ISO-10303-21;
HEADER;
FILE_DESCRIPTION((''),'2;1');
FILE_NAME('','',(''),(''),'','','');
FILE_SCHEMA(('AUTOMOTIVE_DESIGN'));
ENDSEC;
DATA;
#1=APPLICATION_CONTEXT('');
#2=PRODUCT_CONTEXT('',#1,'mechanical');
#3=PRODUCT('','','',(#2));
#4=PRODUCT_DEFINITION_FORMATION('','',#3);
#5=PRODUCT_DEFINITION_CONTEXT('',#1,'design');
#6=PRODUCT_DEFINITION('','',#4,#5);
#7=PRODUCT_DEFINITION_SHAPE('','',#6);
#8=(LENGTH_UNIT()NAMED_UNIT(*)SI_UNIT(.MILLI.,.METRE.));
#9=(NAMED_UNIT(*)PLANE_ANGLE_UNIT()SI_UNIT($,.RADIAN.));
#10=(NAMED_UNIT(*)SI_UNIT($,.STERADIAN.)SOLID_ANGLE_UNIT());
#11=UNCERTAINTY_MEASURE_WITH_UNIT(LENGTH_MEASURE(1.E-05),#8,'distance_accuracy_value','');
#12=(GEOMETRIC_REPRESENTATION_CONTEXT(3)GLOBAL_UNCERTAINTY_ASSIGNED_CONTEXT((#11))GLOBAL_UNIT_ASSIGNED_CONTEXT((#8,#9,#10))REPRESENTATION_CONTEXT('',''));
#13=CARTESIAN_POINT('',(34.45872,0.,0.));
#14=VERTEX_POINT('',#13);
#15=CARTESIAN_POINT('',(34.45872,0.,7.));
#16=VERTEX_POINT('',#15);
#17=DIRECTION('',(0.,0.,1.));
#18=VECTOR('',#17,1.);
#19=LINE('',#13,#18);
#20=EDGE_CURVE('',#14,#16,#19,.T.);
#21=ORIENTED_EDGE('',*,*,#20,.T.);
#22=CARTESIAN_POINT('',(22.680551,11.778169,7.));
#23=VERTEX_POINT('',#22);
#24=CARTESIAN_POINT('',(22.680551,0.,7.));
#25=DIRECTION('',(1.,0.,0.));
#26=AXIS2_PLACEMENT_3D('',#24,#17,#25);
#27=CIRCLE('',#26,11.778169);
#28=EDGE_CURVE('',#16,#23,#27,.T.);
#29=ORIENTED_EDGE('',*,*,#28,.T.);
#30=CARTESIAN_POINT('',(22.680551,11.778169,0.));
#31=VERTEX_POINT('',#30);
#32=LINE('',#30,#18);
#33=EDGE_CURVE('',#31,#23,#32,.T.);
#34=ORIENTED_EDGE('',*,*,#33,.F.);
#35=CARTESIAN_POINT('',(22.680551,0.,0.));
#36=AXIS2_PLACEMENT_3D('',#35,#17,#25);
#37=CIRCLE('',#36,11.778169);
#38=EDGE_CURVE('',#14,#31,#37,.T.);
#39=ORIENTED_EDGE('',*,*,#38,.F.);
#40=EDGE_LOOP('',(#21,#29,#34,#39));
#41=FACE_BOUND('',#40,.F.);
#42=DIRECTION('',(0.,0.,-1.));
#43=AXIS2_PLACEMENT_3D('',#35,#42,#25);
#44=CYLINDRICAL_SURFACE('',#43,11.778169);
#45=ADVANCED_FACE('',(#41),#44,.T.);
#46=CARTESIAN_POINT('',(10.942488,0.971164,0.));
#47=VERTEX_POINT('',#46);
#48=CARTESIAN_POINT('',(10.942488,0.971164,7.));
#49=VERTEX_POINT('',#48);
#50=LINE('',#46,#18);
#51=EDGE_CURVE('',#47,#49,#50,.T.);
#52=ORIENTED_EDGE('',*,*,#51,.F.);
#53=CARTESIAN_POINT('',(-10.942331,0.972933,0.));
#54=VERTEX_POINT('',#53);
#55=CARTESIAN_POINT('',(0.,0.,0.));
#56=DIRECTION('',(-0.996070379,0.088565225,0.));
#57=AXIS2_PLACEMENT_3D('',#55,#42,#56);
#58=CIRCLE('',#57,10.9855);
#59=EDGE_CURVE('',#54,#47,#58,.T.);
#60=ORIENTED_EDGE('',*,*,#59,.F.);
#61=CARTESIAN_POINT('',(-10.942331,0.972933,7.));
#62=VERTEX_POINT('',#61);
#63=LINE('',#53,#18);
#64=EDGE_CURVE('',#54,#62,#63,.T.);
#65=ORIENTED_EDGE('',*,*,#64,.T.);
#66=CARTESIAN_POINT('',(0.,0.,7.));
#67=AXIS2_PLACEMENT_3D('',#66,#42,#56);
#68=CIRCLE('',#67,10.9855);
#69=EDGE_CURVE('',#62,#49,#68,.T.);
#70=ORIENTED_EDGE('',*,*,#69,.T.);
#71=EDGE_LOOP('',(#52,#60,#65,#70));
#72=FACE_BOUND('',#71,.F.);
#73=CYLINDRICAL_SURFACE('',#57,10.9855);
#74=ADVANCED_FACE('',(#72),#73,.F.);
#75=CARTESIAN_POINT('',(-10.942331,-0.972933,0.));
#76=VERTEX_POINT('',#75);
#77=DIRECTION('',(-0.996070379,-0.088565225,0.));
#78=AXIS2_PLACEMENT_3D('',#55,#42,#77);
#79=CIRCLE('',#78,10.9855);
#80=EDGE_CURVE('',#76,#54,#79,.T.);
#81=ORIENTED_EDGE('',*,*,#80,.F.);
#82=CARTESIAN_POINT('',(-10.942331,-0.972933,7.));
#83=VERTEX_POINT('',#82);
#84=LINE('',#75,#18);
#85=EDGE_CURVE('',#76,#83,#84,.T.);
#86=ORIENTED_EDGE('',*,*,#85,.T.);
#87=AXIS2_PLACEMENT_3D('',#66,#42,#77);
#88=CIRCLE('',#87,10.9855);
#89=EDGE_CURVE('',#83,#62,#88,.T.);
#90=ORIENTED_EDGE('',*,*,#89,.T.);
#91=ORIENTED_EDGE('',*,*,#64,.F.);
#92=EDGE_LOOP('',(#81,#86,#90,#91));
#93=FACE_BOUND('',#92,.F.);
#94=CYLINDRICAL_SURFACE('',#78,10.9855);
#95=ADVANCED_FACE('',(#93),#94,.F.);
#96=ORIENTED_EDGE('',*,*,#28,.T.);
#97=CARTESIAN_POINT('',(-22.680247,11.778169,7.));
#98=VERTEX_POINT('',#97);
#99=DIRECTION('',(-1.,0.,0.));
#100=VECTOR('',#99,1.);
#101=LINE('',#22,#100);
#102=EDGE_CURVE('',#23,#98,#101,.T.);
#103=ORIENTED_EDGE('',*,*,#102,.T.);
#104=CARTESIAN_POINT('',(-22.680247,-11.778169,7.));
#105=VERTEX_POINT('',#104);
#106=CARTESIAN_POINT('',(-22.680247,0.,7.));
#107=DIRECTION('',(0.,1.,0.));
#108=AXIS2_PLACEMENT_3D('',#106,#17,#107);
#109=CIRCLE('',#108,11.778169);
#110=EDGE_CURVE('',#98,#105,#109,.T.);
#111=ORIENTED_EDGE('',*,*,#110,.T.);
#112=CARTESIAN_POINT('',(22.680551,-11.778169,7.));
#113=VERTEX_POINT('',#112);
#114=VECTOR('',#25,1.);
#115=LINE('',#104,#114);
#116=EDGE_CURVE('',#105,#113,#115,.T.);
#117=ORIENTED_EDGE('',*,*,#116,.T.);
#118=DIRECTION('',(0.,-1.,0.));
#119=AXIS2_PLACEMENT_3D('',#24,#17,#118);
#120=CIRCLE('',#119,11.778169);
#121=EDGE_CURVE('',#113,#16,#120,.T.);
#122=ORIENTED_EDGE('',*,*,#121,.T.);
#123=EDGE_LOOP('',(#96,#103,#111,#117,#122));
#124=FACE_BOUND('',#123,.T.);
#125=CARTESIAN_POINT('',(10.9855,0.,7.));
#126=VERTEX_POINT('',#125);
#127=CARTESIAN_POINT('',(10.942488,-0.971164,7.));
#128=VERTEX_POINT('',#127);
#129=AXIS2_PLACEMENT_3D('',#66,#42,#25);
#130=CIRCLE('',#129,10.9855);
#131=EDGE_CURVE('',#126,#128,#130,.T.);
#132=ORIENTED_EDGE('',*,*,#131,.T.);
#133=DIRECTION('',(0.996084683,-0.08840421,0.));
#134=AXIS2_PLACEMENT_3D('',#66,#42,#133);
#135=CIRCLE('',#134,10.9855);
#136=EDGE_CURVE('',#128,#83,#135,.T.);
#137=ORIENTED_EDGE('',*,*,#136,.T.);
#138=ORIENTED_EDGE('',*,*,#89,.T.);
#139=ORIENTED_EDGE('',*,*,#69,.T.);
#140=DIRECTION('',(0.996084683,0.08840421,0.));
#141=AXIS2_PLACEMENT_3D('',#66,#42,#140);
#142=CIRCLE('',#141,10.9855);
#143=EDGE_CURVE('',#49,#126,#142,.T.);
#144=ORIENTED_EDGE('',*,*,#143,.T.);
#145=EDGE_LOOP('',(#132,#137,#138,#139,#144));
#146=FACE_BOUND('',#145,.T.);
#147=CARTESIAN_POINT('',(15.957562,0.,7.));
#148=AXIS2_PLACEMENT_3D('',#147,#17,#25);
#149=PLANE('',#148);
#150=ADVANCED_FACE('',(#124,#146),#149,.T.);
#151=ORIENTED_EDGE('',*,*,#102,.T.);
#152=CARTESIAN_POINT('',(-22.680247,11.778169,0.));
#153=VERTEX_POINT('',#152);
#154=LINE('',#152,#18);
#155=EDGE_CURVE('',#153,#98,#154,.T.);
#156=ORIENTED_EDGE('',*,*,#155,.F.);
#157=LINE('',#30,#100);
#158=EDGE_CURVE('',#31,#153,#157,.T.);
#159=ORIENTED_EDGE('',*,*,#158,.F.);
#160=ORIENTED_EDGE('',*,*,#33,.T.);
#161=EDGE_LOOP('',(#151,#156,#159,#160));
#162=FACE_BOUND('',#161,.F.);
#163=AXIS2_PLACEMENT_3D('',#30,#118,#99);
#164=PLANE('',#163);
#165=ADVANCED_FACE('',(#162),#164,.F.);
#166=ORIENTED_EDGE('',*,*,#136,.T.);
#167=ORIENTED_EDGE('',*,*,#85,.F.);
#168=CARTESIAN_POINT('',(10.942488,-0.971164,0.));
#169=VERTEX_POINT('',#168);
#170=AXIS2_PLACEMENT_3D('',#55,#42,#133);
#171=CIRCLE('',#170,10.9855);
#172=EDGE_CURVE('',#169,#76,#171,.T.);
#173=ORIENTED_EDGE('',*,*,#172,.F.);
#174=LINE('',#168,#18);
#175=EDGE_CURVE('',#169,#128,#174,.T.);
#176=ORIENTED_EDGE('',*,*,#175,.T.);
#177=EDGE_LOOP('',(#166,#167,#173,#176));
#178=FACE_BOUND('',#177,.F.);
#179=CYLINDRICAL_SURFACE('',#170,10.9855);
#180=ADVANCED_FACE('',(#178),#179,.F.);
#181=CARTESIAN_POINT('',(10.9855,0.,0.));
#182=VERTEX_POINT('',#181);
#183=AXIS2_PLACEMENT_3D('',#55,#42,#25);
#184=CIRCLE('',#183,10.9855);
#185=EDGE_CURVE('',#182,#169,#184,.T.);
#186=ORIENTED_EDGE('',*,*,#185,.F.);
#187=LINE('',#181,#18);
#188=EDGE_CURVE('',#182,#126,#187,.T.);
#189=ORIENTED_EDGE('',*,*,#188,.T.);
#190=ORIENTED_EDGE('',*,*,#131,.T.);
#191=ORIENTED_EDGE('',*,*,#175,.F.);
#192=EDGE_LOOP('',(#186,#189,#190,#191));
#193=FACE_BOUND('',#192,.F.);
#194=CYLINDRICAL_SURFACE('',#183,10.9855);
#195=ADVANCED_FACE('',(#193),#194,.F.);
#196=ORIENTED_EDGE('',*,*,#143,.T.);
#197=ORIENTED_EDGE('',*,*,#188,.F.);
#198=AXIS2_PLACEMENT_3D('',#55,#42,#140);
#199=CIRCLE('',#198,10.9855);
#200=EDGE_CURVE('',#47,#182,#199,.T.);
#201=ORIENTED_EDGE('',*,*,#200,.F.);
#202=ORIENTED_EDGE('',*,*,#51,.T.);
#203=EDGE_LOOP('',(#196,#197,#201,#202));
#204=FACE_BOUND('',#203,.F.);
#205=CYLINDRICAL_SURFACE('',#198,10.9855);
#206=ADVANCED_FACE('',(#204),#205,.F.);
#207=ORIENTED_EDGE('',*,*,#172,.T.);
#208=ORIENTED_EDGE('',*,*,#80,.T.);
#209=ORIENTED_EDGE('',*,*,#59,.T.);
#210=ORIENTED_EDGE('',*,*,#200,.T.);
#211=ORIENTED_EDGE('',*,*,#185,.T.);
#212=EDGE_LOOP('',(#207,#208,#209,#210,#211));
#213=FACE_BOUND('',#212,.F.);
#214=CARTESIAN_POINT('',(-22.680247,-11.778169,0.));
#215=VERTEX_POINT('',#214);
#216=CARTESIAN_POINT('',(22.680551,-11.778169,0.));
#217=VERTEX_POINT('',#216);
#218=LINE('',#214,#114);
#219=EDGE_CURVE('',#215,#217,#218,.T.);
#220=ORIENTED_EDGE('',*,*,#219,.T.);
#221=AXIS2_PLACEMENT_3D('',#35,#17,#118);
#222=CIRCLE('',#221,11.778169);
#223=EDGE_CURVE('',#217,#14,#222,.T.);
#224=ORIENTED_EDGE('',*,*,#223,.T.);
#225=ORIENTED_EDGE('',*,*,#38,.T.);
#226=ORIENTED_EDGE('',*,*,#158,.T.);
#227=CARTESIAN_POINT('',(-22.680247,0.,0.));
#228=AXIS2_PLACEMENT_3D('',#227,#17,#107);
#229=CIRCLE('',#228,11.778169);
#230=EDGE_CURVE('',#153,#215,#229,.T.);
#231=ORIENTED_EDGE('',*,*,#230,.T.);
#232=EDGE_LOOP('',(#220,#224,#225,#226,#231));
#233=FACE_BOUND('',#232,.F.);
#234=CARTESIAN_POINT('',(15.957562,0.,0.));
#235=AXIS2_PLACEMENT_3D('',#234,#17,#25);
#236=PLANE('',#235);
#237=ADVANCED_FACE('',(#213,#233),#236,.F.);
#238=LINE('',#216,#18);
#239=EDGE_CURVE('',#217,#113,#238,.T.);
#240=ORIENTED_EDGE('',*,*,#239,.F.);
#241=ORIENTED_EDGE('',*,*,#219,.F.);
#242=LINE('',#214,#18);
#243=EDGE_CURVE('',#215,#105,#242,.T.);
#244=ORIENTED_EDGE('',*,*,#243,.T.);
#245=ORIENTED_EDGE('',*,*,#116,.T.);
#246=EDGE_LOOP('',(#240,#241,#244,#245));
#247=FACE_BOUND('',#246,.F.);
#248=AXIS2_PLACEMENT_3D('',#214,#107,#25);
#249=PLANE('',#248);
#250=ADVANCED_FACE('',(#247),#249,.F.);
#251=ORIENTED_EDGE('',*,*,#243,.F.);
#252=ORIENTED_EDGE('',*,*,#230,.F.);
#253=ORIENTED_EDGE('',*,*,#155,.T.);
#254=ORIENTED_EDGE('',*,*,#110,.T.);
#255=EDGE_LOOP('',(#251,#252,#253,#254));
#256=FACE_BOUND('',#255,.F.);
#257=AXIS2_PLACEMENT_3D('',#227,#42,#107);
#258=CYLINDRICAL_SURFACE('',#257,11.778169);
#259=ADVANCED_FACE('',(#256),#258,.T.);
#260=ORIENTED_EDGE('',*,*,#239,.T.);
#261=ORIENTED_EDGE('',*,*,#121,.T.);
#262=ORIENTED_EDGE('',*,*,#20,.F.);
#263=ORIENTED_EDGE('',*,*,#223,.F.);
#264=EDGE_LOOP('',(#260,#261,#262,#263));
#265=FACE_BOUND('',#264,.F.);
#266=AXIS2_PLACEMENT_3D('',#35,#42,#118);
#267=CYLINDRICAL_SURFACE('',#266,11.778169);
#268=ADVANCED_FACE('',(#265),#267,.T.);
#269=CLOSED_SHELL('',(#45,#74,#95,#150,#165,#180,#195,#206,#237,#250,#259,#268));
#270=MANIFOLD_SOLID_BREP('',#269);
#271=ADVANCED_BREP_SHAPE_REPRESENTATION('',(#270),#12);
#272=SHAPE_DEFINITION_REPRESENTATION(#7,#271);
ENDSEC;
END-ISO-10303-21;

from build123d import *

# Parameters (mm, degrees)
F1_DEPTH = 7


with BuildPart() as f1:
    # F0 (on Top) → F1 (new body)
    with BuildSketch(Plane.XY):
        with BuildLine():
            ThreePointArc((10.9424882845, 0.9711644524), (10.9747418033, 0.4860582273), (10.9855, 0))
            ThreePointArc((10.9855, 0), (10.9747418033, -0.4860582273), (10.9424882845, -0.9711644524))
            ThreePointArc((10.9424882845, -0.9711644524), (14.7028715464, -8.6649815834), (22.6805508137, -11.7781693116))
            Line((22.6805508137, -11.7781693116), (22.6805508137, -10.9855))
            ThreePointArc((22.6805508137, -10.9855), (11.6950508137, 0), (22.6805508137, 10.9855))
            Line((22.6805508137, 10.9855), (22.6805508137, 11.7781693116))
            ThreePointArc((22.6805508137, 11.7781693116), (14.7028715464, 8.6649815834), (10.9424882845, 0.9711644524))
        make_face()
        with BuildLine():
            ThreePointArc((-10.9423311539, 0.9729332804), (0.0008878968, 10.9854999641), (10.9424882845, 0.9711644524))
            ThreePointArc((10.9424882845, 0.9711644524), (14.7028715464, 8.6649815834), (22.6805508137, 11.7781693116))
            Line((22.6805508137, 11.7781693116), (-22.6802472025, 11.7781693116))
            ThreePointArc((-22.6802472025, 11.7781693116), (-14.7032208322, 8.6655826474), (-10.9423311539, 0.9729332804))
        make_face()
        with BuildLine():
            ThreePointArc((22.6805508137, -11.7781693116), (14.7028715464, -8.6649815834), (10.9424882845, -0.9711644524))
            ThreePointArc((10.9424882845, -0.9711644524), (0.0008878968, -10.9854999641), (-10.9423311539, -0.9729332804))
            ThreePointArc((-10.9423311539, -0.9729332804), (-14.7032208322, -8.6655826474), (-22.6802472025, -11.7781693116))
            Line((-22.6802472025, -11.7781693116), (22.6805508137, -11.7781693116))
        make_face()
        with BuildLine():
            ThreePointArc((-10.9423311539, -0.9729332804), (-10.9855, 0), (-10.9423311539, 0.9729332804))
            ThreePointArc((-10.9423311539, 0.9729332804), (-14.7032208322, 8.6655826474), (-22.6802472025, 11.7781693116))
            Line((-22.6802472025, 11.7781693116), (-22.6802472025, 10.9855))
            ThreePointArc((-22.6802472025, 10.9855), (-14.9123256578, 7.7679215447), (-11.6947472025, 0))
            ThreePointArc((-11.6947472025, 0), (-14.9123256578, -7.7679215447), (-22.6802472025, -10.9855))
            Line((-22.6802472025, -10.9855), (-22.6802472025, -11.7781693116))
            ThreePointArc((-22.6802472025, -11.7781693116), (-14.7032208322, -8.6655826474), (-10.9423311539, -0.9729332804))
        make_face()
        with BuildLine():
            ThreePointArc((34.4587201253, 0), (31.0089742039, 8.3284233902), (22.6805508137, 11.7781693116))
            Line((22.6805508137, 11.7781693116), (22.6805508137, 10.9855))
            ThreePointArc((22.6805508137, 10.9855), (30.4484723584, 7.7679215447), (33.6660508137, 0))
            ThreePointArc((33.6660508137, 0), (30.4484723584, -7.7679215447), (22.6805508137, -10.9855))
            Line((22.6805508137, -10.9855), (22.6805508137, -11.7781693116))
            ThreePointArc((22.6805508137, -11.7781693116), (31.0089742039, -8.3284233902), (34.4587201253, 0))
        make_face()
        with BuildLine():
            Line((-22.6802472025, 10.9855), (-22.6802472025, 11.7781693116))
            ThreePointArc((-22.6802472025, 11.7781693116), (-34.4584165141, 0), (-22.6802472025, -11.7781693116))
            Line((-22.6802472025, -11.7781693116), (-22.6802472025, -10.9855))
            ThreePointArc((-22.6802472025, -10.9855), (-33.6657472025, 0), (-22.6802472025, 10.9855))
        make_face()
        with BuildLine():
            Line((-22.6802472025, -10.9855), (-22.6802472025, 10.9855))
            ThreePointArc((-22.6802472025, 10.9855), (-33.6657472025, 0), (-22.6802472025, -10.9855))
        make_face()
        with BuildLine():
            ThreePointArc((-11.6947472025, 0), (-14.9123256578, 7.7679215447), (-22.6802472025, 10.9855))
            Line((-22.6802472025, 10.9855), (-22.6802472025, -10.9855))
            ThreePointArc((-22.6802472025, -10.9855), (-14.9123256578, -7.7679215447), (-11.6947472025, 0))
        make_face()
        with BuildLine():
            Line((22.6805508137, -10.9855), (22.6805508137, 10.9855))
            ThreePointArc((22.6805508137, 10.9855), (11.6950508137, 0), (22.6805508137, -10.9855))
        make_face()
        with BuildLine():
            ThreePointArc((33.6660508137, 0), (30.4484723584, 7.7679215447), (22.6805508137, 10.9855))
            Line((22.6805508137, 10.9855), (22.6805508137, -10.9855))
            ThreePointArc((22.6805508137, -10.9855), (30.4484723584, -7.7679215447), (33.6660508137, 0))
        make_face()
    extrude(amount=F1_DEPTH)


solid = f1.part
